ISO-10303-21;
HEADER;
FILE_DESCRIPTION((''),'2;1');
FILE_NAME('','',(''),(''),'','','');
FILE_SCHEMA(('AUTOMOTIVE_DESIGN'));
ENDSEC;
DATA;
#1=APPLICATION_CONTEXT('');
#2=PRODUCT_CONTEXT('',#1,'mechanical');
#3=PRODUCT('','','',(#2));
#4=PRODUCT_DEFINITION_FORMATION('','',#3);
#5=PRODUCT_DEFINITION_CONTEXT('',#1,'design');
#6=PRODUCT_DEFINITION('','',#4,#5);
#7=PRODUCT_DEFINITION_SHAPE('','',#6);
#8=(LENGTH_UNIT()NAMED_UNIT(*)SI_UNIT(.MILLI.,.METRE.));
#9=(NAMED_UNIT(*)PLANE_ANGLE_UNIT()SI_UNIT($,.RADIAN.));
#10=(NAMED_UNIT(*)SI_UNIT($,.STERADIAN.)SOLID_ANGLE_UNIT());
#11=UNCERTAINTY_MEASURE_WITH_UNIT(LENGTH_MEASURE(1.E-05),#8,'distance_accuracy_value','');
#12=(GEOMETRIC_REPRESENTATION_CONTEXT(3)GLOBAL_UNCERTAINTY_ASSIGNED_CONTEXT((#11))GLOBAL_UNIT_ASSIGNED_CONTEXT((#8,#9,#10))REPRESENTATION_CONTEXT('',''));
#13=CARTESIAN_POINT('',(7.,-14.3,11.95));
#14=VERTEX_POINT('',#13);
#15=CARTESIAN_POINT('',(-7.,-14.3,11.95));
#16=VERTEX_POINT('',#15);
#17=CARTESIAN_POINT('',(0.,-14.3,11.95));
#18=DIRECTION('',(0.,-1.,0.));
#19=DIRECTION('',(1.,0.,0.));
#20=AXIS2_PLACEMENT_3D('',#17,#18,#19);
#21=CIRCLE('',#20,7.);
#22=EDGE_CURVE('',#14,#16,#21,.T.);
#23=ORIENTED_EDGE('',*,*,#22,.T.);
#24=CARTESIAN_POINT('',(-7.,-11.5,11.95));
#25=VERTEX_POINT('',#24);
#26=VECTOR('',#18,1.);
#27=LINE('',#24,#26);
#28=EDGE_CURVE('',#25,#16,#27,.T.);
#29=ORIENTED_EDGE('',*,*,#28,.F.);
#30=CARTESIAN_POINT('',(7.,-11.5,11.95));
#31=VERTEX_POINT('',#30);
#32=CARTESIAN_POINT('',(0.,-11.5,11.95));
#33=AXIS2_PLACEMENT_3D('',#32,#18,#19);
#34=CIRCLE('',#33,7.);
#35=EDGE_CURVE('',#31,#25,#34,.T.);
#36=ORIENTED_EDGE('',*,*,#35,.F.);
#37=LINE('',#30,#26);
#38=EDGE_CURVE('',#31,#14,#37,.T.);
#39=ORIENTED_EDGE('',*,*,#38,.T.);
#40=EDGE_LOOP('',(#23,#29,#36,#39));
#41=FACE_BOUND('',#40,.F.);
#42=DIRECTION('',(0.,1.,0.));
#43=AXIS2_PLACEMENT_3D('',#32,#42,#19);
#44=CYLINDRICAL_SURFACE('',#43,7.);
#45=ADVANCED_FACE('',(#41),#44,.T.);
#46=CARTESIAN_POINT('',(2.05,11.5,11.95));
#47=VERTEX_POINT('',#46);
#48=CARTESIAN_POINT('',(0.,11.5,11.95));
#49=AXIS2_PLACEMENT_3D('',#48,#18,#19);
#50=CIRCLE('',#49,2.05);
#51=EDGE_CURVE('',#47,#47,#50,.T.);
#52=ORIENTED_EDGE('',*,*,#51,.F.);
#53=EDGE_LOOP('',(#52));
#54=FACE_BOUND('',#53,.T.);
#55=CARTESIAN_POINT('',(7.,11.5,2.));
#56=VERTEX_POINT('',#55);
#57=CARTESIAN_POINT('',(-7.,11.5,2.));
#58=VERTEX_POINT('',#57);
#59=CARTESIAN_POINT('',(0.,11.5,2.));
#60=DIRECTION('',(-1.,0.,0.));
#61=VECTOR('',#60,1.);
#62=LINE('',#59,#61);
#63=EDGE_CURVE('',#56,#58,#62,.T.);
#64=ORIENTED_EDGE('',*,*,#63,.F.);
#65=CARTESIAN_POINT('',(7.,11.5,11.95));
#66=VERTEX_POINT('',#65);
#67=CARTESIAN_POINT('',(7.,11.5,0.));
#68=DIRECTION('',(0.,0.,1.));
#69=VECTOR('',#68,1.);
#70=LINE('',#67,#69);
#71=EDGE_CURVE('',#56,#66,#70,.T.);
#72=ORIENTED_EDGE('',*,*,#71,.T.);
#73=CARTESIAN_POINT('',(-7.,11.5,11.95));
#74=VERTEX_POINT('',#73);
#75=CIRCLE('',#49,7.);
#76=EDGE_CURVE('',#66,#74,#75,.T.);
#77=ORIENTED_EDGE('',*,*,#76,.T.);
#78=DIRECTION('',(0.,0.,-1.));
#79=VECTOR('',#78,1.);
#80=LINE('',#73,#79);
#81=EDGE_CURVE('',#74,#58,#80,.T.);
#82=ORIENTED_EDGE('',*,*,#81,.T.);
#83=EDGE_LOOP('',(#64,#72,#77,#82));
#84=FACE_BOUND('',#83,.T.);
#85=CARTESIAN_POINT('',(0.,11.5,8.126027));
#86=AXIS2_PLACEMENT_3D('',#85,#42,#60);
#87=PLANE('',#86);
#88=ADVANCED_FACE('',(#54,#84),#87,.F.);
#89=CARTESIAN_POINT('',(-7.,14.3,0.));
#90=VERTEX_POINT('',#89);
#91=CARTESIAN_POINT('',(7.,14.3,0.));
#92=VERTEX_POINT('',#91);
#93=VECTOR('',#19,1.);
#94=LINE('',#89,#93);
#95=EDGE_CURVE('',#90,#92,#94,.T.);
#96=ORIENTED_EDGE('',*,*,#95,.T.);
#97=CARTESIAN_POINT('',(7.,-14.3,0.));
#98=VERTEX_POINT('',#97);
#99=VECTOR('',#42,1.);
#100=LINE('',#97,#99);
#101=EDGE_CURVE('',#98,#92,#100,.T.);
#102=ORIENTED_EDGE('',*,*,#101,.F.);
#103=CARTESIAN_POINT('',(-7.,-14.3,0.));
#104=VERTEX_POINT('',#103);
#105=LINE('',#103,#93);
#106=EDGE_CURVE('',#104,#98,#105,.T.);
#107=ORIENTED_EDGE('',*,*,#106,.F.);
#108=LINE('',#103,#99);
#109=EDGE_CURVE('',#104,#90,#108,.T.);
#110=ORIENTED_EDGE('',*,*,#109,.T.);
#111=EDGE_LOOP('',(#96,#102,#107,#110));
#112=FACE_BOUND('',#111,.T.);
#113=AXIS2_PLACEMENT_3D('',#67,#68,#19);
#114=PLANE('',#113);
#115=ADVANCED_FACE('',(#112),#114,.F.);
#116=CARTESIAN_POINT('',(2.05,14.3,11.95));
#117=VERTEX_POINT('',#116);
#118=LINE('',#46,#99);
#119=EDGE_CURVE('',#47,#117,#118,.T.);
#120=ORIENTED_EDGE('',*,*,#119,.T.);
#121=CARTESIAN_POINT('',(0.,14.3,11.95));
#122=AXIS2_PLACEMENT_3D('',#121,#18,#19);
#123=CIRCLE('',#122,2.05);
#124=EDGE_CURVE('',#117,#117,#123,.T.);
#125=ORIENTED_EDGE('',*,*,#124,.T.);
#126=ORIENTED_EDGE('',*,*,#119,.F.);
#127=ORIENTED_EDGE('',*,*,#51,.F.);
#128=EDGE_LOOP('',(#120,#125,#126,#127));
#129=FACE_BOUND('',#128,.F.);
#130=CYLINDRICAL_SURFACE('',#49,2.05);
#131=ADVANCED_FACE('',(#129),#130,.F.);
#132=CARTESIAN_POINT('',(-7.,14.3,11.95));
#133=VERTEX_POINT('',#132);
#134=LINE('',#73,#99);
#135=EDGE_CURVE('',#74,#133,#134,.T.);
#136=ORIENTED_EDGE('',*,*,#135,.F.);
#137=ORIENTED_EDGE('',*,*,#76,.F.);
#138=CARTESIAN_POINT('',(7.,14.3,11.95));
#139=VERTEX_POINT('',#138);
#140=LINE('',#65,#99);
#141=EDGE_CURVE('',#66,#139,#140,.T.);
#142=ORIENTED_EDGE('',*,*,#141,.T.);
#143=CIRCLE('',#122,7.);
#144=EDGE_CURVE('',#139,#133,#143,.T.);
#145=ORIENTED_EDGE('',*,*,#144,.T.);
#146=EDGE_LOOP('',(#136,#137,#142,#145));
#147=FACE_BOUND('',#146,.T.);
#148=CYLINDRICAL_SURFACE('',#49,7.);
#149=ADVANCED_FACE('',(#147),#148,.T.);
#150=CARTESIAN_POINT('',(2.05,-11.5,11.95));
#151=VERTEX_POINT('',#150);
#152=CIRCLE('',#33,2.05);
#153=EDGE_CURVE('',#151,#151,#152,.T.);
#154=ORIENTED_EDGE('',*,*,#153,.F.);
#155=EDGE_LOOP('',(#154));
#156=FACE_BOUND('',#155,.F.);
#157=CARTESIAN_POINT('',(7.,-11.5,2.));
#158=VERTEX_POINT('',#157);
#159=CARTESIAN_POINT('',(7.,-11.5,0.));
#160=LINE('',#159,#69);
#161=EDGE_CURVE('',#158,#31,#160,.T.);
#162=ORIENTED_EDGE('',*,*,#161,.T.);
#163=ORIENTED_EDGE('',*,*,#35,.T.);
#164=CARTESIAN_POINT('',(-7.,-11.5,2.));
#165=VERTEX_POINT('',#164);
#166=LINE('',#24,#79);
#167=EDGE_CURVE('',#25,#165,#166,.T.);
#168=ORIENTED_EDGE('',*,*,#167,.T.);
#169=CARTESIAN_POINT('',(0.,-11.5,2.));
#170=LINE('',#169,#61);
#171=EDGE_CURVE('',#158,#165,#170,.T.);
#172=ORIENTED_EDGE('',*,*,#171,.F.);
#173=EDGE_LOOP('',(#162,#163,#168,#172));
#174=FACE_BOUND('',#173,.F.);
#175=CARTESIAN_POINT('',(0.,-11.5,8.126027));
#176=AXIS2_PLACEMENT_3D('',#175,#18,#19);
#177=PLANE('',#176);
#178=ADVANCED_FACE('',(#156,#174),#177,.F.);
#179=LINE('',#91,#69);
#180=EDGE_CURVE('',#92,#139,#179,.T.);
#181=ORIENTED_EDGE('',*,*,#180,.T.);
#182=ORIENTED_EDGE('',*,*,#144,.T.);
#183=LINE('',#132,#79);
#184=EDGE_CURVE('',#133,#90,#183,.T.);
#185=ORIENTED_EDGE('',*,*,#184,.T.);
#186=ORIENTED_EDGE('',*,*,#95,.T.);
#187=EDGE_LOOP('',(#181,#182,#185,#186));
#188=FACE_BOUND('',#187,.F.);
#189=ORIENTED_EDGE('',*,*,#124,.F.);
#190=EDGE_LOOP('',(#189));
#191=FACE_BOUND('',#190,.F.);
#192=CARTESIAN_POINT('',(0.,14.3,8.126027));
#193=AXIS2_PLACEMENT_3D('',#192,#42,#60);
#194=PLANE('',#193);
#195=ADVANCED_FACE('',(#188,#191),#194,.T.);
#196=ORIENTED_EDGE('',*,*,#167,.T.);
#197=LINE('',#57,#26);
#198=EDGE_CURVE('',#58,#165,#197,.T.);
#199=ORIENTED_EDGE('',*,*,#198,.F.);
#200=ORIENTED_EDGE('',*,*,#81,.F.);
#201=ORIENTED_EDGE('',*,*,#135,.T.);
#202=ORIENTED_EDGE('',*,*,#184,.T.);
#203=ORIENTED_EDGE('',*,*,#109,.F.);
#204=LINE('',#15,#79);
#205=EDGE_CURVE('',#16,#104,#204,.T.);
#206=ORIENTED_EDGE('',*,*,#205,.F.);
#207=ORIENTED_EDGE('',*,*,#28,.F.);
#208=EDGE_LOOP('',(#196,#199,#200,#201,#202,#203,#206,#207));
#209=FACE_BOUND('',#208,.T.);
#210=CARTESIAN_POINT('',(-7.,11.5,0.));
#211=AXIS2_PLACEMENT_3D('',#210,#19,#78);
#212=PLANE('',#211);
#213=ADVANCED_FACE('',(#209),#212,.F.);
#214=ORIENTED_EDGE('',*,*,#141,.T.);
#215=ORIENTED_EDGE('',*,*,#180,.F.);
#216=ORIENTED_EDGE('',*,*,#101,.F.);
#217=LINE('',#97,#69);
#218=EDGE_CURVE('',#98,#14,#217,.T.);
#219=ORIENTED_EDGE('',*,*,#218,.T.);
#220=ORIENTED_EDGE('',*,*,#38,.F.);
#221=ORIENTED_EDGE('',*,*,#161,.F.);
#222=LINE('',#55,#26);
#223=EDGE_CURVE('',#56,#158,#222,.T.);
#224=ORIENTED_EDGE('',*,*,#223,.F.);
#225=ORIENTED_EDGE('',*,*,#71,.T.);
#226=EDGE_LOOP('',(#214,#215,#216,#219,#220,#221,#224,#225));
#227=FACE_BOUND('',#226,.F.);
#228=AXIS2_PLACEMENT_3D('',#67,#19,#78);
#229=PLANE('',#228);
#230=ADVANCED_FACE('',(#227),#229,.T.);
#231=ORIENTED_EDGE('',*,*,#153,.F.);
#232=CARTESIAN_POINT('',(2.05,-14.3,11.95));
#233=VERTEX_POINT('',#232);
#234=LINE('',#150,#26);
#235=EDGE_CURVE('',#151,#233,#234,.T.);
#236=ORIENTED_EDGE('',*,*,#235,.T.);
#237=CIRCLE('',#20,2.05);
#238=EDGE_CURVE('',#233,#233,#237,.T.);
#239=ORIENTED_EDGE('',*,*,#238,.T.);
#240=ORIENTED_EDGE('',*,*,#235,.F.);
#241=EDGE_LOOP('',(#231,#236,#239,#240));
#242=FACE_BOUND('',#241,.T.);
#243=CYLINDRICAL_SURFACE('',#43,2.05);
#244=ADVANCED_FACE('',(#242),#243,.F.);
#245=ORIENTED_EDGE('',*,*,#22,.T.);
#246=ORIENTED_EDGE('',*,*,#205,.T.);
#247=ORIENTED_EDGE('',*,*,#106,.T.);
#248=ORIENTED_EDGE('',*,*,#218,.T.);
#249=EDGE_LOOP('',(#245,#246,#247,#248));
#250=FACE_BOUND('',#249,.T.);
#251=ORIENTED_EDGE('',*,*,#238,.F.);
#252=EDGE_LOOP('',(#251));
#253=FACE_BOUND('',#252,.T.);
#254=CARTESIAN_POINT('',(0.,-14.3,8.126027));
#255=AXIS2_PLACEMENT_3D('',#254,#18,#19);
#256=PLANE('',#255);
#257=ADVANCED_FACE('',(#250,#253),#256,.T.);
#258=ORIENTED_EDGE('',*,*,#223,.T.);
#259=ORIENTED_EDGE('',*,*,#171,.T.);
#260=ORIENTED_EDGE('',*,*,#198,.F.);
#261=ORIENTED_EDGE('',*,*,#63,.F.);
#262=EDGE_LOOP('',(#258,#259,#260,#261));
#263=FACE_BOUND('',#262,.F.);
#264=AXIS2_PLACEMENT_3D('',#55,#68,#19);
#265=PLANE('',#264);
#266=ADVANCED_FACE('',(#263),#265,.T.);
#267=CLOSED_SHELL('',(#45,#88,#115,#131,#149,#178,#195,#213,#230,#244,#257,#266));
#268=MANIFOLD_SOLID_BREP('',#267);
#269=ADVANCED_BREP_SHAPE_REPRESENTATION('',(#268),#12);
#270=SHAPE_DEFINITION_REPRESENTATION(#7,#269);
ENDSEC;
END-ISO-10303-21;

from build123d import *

# Parameters (mm, degrees)
F1_R     = 2.05
F2_DEPTH = 2.8
F3_W     = 14
F3_H     = 2
F4_DEPTH = 11.5


with BuildPart() as f2:
    # F1 (on offset) → F2 (new body)
    with BuildSketch(Plane.XZ.offset(11.5)):
        with BuildLine():
            Line((-7, 11.95), (-7, 0))
            Line((-7, 0), (7, 0))
            Line((7, 0), (7, 11.95))
            ThreePointArc((7, 11.95), (0, 18.95), (-7, 11.95))
        make_face()
        with Locations((0, 11.95)):
            Circle(F1_R, mode=Mode.SUBTRACT)
    extrude(amount=F2_DEPTH)

    # F3 (on face) → F4 (join, through all)
    with BuildSketch(Plane(origin=(0, -11.5, 0), x_dir=(-1, 0, 0), z_dir=(0, 1, 0))):
        with Locations((0, 1)):
            Rectangle(F3_W, F3_H)
    extrude(amount=F4_DEPTH)

    # F5: F2 across plane


with BuildPart() as f2_1:
    add(f2.part)
    add(f2.part.mirror(Plane.XZ))


solid = f2_1.part
